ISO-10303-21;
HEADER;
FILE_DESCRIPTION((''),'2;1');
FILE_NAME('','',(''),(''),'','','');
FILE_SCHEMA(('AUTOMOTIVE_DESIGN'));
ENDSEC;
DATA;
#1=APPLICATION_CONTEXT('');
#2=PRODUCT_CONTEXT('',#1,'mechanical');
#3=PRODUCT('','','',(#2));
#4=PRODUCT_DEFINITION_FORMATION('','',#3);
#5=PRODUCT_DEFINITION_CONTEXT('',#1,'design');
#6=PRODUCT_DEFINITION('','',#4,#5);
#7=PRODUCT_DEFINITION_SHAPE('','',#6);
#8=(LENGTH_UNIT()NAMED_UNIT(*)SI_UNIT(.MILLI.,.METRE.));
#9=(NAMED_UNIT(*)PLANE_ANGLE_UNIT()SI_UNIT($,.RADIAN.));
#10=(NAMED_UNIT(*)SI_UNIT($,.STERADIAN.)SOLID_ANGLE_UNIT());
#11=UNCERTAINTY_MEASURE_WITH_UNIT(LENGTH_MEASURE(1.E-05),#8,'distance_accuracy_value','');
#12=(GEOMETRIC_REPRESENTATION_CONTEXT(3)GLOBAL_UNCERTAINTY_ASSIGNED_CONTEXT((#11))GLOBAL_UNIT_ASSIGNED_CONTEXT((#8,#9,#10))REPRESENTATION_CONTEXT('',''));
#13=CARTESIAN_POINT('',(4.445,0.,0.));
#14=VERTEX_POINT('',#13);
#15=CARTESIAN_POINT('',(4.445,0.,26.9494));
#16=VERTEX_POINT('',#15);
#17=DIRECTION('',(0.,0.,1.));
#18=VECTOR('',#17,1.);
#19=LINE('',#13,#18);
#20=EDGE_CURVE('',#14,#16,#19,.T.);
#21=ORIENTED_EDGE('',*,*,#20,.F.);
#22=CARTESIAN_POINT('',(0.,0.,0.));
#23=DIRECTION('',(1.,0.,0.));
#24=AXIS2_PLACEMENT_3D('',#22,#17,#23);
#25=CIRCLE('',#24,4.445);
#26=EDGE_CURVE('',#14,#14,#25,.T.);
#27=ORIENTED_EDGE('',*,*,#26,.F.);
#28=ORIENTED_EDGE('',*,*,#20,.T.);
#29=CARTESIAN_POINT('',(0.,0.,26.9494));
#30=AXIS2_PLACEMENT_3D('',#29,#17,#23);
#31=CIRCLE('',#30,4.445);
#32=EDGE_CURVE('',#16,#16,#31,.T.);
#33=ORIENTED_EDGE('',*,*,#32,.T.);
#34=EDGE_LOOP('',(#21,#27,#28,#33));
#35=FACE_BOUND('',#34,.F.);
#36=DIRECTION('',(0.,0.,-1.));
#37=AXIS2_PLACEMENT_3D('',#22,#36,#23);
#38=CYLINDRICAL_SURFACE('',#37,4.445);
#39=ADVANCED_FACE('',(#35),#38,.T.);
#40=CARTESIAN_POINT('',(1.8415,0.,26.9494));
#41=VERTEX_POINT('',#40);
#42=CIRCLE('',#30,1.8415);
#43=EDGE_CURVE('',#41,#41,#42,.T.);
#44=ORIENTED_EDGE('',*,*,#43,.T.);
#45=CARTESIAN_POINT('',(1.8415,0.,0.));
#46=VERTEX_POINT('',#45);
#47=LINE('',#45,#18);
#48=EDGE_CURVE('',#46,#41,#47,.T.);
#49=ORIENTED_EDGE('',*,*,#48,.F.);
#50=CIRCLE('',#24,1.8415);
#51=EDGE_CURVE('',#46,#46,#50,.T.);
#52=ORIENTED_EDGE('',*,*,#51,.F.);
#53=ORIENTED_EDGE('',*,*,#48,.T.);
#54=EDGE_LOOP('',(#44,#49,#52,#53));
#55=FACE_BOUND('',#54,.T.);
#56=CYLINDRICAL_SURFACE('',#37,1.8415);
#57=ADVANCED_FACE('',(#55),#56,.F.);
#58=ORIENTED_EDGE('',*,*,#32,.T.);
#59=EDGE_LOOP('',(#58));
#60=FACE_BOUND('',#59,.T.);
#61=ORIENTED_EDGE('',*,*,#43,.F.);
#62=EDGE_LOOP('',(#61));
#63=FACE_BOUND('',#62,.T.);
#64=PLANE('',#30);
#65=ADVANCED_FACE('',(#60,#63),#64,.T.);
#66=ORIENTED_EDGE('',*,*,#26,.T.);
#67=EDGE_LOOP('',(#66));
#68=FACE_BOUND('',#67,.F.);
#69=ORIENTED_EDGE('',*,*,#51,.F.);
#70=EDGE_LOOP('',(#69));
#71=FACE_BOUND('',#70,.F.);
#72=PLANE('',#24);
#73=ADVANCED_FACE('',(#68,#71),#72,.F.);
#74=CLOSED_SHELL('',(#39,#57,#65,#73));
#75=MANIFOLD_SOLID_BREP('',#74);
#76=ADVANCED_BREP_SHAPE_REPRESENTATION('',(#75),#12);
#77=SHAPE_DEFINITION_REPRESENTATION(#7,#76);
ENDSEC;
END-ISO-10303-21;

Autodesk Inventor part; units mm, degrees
ref_plane "YZ Plane" through (0, 0, 0) normal (1, 0, 0) x (0, 1, 0)
ref_plane "XZ Plane" through (0, 0, 0) normal (0, 1, 0) x (-1, 0, 0)
ref_plane "XY Plane" through (0, 0, 0) normal (0, 0, 1) x (1, 0, 0)
sketch "Sketch1" plane through (0, 0, 0) normal (0, 0, 1) x (1, 0, 0)
  circle A0 centre (0, 0) radius 1.8415
  circle A1 centre (0, 0) radius 4.445
  dimension "d0" = 3.683
  dimension "d1" = 8.89
extrude "Extrusion1" add sketch "Sketch1" along normal blind 26.9494
properties part number "retentionStandoffs" material "ABS Plastic"
